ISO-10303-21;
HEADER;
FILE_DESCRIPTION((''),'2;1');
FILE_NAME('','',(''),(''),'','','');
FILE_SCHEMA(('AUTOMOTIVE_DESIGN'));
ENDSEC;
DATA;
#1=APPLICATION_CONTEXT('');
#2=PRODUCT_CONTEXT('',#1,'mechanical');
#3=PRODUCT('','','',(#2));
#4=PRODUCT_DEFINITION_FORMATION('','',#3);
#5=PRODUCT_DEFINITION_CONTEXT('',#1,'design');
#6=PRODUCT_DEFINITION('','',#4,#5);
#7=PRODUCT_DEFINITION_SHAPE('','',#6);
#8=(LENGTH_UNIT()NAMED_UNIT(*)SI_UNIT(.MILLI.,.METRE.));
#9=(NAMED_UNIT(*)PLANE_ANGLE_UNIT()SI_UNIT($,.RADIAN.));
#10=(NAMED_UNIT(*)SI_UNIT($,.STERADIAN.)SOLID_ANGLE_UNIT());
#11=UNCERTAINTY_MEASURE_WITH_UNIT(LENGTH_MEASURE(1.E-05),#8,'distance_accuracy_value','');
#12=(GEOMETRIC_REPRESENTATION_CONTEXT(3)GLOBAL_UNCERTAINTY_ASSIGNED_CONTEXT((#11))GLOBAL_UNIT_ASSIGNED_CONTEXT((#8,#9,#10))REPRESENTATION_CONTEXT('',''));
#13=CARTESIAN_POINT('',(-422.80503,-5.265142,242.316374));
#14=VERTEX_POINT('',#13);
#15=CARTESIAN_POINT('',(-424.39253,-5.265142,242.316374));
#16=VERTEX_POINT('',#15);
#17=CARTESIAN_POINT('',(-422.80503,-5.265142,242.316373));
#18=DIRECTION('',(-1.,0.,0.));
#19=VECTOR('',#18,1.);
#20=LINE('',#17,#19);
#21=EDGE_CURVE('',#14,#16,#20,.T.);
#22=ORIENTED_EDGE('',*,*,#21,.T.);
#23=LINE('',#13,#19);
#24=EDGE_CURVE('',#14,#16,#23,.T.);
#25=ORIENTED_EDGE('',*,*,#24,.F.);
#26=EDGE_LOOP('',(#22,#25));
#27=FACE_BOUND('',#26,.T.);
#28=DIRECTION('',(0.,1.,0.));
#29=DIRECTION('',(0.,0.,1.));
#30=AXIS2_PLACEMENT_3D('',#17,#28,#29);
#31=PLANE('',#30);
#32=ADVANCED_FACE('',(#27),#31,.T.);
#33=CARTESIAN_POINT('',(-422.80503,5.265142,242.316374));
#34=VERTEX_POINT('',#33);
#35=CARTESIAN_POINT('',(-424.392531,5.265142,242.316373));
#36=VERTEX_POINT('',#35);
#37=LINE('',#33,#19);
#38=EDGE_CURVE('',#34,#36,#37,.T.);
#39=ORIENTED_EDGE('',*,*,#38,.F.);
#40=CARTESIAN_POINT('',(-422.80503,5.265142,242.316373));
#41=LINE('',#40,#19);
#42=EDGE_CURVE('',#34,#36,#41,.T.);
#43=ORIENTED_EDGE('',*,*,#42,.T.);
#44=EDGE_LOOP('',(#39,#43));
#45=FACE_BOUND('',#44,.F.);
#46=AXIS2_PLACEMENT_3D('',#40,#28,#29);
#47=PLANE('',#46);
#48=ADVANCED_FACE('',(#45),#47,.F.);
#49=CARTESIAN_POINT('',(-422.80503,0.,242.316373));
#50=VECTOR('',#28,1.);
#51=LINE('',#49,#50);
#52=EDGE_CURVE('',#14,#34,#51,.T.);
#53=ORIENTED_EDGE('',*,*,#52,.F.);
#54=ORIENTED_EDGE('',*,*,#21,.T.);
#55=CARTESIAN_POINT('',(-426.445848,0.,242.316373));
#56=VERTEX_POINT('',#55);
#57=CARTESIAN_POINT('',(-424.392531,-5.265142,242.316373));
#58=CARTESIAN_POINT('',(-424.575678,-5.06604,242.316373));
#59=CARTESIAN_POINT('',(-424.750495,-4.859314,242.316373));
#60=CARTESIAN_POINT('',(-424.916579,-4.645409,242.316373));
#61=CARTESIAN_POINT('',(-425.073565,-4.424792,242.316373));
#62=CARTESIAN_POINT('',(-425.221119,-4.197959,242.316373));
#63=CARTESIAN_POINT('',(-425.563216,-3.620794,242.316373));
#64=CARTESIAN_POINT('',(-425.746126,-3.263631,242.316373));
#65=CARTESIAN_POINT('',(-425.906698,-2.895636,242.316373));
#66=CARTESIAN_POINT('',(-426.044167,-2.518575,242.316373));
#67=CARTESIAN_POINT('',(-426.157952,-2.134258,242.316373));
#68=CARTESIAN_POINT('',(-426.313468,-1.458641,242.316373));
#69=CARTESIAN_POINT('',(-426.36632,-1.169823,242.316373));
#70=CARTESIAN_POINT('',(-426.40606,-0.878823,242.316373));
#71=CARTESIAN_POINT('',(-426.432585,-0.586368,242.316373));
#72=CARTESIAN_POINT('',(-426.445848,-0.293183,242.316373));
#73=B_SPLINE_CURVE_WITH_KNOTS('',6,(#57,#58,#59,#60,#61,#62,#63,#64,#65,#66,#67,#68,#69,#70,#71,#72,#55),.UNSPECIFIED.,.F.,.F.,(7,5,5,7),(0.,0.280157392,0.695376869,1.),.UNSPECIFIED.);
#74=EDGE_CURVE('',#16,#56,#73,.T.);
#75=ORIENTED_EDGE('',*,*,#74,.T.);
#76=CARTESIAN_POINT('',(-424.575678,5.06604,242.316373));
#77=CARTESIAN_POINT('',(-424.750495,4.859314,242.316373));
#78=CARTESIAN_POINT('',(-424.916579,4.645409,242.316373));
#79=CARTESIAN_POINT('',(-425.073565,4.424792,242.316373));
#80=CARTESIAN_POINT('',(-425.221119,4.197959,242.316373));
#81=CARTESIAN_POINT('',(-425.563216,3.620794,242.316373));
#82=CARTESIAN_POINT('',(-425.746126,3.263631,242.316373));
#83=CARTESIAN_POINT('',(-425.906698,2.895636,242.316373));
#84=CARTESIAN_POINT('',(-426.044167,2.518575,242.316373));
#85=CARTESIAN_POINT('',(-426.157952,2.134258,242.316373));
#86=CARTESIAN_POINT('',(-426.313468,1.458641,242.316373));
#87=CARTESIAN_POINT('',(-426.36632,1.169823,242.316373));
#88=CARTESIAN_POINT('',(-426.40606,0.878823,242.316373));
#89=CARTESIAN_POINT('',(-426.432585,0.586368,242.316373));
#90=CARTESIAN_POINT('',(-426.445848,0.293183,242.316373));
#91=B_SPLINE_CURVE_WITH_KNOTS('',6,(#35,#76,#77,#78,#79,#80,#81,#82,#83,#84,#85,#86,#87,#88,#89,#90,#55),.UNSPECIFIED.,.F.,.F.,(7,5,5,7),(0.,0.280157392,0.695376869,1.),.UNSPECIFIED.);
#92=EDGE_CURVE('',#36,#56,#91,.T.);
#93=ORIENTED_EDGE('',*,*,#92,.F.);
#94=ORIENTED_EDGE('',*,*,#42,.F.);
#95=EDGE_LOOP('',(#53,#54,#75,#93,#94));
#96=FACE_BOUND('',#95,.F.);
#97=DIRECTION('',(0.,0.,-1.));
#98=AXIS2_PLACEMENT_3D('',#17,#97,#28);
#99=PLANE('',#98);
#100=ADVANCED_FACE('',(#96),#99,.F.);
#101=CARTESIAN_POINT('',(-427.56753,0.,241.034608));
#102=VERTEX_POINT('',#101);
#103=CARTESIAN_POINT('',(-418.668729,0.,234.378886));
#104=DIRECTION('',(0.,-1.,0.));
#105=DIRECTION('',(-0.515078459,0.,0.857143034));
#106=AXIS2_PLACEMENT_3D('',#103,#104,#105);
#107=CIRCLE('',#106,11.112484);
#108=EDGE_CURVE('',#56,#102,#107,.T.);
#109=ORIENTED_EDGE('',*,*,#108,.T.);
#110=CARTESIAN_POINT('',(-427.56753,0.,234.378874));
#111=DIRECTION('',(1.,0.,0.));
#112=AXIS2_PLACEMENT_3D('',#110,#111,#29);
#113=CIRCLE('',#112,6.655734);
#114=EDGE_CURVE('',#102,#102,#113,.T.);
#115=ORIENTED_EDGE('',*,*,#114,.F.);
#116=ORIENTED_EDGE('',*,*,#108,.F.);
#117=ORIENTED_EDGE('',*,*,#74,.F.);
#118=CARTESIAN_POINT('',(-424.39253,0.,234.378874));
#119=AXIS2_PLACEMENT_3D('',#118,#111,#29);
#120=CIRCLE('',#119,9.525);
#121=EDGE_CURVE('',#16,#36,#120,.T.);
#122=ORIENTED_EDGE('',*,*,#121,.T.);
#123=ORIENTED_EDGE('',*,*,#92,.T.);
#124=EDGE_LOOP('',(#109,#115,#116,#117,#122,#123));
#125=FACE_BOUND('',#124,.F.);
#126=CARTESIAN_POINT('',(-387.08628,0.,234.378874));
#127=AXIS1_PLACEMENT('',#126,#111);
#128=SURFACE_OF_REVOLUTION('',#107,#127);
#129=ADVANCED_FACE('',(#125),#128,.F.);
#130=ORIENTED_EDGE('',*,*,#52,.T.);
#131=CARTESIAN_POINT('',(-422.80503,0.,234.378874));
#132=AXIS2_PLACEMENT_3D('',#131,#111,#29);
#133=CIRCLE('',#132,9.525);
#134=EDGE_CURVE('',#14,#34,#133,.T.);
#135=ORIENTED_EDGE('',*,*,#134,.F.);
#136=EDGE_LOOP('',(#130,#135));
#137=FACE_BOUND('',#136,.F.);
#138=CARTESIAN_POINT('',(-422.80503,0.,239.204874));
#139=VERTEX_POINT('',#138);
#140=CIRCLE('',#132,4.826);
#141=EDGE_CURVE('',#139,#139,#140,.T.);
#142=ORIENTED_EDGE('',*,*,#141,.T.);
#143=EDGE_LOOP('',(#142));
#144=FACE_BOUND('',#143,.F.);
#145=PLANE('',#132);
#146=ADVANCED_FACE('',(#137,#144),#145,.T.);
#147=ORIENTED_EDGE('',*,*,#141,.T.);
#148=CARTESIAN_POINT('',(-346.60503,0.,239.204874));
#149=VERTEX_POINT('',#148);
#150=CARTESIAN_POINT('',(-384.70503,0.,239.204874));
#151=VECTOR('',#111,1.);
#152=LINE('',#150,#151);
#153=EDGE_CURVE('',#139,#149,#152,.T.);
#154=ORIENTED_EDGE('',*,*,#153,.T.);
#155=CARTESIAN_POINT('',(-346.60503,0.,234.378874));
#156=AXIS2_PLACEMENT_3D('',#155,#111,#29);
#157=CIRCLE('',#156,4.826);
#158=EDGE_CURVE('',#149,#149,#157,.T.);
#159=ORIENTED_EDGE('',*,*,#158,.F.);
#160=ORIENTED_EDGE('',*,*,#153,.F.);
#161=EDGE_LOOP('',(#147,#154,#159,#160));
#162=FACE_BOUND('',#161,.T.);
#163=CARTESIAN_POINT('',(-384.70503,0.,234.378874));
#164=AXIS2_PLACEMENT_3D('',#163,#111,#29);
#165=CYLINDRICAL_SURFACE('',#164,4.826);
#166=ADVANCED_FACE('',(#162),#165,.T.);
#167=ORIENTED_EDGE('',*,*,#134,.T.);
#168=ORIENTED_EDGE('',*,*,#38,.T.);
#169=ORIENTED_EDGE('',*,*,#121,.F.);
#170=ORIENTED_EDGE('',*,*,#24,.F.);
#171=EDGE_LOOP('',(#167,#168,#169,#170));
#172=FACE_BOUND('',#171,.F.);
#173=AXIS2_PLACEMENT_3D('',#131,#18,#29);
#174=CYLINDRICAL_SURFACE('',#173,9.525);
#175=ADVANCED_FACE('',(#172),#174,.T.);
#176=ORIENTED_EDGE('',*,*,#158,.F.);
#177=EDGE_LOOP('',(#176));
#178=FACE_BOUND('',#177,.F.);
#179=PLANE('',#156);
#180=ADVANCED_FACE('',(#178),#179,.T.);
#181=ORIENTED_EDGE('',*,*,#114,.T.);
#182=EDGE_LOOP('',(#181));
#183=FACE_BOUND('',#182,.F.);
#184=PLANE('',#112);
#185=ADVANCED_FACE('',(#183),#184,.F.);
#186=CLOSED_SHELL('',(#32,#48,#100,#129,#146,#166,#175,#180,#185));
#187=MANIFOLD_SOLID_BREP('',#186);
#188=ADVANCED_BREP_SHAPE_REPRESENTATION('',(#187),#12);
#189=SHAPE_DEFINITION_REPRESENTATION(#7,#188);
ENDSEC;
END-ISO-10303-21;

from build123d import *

# Parameters (mm, degrees)
F0_W     = 76.2
F0_H     = 4.826
F2_W     = 10.530284
F2_H     = 4.986605
F3_DEPTH = 25.4


with BuildPart() as f1:
    # F0 (on Front) → F1 (revolve)
    with BuildSketch(Plane.XZ):
        Polygon((-422.80503, 234.378874), (-422.80503, 239.204874), (-422.80503, 243.903874), (-424.39253, 243.903874), (-424.39253, 234.378874), align=None)
        with Locations((-384.70503, 236.791874)):
            Rectangle(F0_W, F0_H)
        with BuildLine():
            Line((-424.39253, 234.378874), (-424.39253, 243.903874))
            ThreePointArc((-424.39253, 243.903874), (-426.119453, 242.623521), (-427.56753, 241.034608))
            Line((-427.56753, 241.034608), (-427.56753, 234.378874))
            Line((-427.56753, 234.378874), (-424.39253, 234.378874))
        make_face()
    revolve(axis=Axis((-387.08628, 0, 234.378874), (1, 0, 0)))

    # F2 (on face) → F3 (cut)
    with BuildSketch(Plane.YZ.offset(-422.80503)):
        with Locations((0, 244.809676)):
            Rectangle(F2_W, F2_H)
    extrude(amount=-F3_DEPTH, mode=Mode.SUBTRACT)


solid = f1.part
